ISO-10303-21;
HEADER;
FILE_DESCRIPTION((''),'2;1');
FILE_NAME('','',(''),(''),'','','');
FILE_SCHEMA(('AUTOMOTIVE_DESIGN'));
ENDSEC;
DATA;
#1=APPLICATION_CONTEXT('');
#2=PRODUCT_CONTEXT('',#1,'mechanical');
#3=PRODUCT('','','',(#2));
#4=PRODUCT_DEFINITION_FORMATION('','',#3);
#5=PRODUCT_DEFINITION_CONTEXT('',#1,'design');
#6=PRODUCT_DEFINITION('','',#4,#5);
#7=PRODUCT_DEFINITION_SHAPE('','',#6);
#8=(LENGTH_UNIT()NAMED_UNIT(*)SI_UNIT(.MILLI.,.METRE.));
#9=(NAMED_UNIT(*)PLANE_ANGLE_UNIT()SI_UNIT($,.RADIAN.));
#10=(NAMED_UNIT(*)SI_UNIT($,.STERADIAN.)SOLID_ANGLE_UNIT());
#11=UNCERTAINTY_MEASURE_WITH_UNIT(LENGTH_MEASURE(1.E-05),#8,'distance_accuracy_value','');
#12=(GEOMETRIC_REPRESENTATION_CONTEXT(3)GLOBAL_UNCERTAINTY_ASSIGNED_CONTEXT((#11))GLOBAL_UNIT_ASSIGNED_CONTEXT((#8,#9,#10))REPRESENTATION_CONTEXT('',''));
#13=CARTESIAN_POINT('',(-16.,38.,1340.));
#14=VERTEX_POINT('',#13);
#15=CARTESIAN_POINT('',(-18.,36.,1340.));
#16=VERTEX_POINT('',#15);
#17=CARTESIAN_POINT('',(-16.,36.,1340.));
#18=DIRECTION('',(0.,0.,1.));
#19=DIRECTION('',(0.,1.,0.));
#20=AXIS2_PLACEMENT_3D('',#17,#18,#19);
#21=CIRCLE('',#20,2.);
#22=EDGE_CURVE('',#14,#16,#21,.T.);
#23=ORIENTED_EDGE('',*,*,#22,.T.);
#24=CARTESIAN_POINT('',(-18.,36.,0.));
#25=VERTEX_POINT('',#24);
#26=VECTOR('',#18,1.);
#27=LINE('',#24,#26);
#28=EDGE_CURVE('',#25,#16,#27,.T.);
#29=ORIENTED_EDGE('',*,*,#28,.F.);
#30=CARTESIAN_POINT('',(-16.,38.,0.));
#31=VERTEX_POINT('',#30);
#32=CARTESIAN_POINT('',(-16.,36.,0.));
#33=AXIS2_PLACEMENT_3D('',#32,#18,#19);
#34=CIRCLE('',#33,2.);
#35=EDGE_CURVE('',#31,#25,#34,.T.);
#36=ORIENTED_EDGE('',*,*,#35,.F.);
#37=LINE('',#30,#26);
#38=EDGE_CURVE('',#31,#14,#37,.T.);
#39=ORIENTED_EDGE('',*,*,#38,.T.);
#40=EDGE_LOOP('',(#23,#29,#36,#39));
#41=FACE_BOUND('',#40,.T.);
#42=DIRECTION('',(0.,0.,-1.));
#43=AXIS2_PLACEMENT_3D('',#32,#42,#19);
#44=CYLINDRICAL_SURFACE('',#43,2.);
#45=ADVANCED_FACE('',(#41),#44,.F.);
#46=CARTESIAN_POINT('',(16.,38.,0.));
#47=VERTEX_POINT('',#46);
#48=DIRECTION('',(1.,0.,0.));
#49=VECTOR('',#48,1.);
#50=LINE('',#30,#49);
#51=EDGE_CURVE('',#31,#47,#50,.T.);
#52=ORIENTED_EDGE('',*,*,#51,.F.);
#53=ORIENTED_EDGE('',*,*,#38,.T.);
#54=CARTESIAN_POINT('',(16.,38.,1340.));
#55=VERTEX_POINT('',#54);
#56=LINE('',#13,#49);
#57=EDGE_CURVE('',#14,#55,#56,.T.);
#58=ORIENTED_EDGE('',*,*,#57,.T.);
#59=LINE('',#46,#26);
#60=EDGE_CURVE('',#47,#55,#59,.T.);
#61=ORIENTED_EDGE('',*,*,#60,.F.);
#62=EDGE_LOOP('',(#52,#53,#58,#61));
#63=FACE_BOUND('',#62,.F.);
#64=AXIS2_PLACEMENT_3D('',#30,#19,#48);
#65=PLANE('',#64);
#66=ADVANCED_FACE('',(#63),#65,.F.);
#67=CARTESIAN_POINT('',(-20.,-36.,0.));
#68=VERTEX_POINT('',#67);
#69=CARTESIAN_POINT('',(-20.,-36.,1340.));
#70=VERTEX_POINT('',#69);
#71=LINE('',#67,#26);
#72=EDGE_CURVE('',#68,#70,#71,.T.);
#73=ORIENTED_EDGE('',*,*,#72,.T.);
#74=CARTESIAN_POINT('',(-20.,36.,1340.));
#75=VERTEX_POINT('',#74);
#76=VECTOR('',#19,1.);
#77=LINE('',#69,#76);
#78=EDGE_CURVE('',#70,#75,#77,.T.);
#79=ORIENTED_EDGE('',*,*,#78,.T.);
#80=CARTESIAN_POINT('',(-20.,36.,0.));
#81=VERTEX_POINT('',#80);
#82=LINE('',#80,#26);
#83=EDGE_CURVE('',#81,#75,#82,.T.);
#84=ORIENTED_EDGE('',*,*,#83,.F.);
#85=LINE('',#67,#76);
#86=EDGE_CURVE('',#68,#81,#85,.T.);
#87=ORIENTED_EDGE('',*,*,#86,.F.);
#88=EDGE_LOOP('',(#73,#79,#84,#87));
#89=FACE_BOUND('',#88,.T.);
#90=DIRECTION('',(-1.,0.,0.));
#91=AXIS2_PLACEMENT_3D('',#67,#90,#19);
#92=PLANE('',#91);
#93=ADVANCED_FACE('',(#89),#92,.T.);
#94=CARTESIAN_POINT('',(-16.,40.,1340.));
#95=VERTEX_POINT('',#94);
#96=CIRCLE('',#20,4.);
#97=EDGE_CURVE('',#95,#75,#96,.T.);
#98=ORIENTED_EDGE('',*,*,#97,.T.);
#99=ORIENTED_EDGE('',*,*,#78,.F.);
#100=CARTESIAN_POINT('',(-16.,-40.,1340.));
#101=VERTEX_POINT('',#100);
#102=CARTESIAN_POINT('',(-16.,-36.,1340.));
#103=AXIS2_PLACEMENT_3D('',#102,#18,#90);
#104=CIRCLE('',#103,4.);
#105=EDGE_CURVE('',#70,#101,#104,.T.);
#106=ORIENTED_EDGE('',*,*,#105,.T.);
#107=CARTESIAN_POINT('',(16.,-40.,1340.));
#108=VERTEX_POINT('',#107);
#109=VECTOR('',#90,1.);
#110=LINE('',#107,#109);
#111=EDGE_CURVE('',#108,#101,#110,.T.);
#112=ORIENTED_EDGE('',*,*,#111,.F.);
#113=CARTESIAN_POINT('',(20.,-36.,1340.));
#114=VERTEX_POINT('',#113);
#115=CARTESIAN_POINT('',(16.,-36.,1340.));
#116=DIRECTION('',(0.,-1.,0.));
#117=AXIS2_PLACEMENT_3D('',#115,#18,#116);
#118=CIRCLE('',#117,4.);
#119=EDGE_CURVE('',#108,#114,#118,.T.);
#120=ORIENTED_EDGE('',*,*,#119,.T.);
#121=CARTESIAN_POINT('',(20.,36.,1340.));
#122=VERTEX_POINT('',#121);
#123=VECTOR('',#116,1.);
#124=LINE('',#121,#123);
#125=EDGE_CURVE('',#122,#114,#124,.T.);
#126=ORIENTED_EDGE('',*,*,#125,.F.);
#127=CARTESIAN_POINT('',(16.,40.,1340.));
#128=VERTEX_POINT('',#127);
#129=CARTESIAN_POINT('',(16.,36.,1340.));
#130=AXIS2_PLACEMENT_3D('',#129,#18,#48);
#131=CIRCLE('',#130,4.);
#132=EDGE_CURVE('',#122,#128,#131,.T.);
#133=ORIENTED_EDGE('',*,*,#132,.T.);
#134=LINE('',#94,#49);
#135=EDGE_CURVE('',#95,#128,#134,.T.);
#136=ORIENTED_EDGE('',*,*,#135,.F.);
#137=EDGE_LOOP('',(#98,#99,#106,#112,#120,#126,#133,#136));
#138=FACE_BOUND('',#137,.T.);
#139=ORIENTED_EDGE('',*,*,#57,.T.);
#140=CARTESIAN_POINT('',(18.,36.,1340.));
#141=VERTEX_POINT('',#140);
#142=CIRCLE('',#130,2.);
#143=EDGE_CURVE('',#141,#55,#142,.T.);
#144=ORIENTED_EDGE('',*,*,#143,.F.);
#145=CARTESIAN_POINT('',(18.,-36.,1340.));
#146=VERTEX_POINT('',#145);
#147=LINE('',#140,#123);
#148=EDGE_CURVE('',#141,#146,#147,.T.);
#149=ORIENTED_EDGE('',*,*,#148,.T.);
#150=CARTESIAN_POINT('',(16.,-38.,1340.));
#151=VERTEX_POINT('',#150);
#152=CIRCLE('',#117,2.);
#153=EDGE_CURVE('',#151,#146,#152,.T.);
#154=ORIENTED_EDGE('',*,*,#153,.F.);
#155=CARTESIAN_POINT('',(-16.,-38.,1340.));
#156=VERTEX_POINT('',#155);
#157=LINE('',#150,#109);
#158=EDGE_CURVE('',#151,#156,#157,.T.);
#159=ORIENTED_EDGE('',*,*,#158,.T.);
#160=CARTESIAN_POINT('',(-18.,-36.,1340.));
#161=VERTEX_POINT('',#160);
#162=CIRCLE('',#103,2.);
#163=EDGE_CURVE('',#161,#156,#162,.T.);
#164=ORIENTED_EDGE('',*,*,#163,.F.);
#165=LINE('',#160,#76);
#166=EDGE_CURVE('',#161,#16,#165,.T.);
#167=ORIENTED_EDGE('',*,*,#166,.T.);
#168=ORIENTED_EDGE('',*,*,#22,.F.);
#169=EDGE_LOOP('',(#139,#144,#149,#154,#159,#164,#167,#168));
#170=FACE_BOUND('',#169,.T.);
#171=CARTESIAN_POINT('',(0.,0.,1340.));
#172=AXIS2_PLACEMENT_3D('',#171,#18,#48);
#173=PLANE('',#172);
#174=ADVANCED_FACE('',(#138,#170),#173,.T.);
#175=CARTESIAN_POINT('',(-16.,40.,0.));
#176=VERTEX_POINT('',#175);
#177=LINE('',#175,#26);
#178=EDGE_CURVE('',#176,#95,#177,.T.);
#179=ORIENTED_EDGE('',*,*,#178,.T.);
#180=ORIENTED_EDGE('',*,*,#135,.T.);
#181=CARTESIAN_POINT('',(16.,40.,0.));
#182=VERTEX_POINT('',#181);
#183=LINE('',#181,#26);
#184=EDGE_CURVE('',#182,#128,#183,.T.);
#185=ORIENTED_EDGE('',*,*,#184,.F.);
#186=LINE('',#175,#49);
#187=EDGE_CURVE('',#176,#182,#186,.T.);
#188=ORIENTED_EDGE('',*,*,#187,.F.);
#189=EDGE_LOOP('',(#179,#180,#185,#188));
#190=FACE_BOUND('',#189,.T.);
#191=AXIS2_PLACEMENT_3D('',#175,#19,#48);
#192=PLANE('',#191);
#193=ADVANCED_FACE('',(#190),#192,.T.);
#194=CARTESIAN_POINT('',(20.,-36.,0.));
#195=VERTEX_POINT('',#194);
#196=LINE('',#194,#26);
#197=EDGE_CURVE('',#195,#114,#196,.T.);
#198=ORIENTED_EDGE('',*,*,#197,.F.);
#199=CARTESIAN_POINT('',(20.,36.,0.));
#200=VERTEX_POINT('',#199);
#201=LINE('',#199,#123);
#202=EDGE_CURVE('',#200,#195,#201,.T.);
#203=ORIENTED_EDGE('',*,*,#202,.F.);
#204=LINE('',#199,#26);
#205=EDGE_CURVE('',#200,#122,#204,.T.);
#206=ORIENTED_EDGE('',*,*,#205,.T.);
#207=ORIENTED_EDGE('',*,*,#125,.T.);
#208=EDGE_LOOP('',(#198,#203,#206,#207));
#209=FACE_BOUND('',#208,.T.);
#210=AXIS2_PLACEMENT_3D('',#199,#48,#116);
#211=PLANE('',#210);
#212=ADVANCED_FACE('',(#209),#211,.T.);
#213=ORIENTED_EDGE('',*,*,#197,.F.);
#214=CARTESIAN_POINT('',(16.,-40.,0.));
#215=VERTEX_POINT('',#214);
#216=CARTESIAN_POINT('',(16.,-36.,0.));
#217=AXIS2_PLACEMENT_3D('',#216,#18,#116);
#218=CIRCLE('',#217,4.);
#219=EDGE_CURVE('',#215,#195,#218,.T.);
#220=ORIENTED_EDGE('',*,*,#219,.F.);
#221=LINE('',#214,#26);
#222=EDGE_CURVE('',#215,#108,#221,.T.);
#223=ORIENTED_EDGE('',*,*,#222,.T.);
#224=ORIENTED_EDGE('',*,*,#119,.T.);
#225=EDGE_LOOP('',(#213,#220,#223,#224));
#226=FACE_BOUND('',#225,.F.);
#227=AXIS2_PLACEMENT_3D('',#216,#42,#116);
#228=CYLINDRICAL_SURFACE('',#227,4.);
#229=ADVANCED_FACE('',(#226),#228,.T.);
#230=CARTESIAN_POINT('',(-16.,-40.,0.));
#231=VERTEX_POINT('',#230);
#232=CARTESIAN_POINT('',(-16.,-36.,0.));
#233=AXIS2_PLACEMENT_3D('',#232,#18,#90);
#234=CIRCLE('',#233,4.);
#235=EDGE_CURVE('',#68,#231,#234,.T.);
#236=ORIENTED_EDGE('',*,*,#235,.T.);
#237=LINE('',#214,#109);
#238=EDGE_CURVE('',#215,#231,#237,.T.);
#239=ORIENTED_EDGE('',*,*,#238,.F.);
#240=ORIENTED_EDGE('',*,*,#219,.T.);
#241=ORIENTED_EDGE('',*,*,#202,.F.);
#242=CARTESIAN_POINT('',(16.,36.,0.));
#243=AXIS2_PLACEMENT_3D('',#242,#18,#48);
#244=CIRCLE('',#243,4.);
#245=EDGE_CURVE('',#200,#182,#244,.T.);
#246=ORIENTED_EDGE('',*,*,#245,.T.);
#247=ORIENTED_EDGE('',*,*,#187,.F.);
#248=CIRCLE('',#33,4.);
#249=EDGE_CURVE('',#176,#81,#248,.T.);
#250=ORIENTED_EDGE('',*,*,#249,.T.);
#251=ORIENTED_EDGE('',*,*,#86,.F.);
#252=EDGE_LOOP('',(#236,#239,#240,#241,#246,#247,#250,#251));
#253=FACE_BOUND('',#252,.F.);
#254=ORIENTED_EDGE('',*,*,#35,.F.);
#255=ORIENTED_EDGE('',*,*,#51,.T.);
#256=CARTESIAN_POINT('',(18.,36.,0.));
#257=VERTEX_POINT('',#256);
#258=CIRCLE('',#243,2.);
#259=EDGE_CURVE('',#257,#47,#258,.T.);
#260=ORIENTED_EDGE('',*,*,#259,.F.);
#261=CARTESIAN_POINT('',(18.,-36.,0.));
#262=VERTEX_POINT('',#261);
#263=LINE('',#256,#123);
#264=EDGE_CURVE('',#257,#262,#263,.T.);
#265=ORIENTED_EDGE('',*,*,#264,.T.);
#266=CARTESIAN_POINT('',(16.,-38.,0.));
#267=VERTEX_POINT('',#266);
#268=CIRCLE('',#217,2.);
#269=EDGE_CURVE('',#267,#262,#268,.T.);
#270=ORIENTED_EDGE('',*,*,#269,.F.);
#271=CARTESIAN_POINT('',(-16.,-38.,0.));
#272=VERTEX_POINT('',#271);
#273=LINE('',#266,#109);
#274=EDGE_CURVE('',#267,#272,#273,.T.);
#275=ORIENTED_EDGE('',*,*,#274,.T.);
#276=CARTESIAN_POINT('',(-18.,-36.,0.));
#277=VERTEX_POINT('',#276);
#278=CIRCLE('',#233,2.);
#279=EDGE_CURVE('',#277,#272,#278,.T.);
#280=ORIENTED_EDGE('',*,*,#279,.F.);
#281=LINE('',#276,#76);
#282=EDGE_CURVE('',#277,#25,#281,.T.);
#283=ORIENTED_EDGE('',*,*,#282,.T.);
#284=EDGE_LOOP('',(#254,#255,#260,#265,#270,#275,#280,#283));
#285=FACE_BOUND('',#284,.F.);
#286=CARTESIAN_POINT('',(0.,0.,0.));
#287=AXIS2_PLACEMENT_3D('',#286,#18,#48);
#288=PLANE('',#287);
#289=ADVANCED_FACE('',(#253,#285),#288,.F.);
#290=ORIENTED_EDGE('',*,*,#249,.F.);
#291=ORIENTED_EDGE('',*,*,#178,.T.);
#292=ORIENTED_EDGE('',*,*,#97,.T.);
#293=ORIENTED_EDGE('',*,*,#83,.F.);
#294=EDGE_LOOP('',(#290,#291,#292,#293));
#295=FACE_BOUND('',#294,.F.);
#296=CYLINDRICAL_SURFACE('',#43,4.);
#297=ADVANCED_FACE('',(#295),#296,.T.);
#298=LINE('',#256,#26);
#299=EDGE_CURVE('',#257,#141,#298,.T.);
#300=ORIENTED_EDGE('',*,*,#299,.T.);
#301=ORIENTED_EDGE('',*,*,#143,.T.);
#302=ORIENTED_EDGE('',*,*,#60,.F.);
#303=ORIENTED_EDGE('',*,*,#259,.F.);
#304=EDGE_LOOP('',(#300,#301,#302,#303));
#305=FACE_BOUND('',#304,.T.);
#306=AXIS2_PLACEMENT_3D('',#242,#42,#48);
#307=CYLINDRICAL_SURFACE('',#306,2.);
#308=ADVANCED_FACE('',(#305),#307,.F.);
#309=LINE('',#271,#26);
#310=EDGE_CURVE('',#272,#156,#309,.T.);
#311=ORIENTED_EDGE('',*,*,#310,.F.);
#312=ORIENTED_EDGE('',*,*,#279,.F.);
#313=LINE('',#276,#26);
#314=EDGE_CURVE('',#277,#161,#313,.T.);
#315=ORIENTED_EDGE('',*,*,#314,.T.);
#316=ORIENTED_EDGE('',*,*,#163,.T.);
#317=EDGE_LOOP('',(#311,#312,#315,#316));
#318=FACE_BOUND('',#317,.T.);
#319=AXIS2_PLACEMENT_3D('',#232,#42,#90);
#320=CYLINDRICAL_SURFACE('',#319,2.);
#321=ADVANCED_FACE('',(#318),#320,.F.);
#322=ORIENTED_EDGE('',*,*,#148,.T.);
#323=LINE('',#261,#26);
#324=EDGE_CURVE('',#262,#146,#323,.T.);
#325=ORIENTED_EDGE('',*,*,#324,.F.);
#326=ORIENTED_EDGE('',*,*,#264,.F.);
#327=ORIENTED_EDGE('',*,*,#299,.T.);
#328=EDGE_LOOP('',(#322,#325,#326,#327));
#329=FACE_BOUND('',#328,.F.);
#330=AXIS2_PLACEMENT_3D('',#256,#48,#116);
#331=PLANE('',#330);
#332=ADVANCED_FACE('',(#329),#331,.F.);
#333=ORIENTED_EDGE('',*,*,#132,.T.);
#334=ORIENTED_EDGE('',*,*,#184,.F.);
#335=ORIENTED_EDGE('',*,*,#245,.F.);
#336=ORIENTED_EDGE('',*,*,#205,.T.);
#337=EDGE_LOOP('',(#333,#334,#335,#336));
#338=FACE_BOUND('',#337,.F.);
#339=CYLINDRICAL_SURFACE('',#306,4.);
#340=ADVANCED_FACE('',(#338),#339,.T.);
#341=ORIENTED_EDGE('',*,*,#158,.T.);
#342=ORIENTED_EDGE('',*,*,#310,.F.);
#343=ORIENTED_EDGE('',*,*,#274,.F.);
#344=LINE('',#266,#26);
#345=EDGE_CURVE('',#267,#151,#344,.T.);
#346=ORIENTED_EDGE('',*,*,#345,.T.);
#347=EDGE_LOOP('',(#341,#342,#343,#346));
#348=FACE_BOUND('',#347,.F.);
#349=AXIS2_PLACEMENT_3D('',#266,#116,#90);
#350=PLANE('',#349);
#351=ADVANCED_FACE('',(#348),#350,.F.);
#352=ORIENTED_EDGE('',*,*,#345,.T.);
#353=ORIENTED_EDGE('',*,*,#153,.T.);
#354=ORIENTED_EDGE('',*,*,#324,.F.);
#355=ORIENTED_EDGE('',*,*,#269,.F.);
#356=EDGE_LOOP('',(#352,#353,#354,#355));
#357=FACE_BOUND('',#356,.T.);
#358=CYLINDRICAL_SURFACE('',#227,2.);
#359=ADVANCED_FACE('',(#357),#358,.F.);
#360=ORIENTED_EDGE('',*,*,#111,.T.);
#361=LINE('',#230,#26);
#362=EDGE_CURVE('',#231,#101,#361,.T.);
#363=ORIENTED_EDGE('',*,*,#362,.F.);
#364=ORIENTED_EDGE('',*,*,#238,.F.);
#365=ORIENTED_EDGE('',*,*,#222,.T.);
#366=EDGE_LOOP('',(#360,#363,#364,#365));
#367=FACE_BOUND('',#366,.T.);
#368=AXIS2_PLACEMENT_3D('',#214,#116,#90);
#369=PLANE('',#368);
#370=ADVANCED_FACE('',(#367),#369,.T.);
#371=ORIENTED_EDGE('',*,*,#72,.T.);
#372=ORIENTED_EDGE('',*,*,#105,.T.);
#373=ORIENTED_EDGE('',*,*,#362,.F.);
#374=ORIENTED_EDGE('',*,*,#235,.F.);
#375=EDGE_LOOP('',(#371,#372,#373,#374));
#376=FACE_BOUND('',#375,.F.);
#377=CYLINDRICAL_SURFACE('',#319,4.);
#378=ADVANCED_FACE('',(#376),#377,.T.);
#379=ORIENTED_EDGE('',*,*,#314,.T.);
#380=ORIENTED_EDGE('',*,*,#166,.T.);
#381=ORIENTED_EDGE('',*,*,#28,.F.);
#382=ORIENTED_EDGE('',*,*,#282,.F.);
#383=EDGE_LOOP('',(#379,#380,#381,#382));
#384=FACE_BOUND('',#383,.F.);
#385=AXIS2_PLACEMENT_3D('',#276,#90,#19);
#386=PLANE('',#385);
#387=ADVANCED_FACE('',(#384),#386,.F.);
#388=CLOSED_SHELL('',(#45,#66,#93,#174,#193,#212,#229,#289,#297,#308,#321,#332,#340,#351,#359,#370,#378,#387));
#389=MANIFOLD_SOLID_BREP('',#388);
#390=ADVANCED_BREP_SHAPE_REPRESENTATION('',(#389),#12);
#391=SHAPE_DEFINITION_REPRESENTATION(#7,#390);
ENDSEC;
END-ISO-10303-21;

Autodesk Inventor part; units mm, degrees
ref_plane "YZ Plane" through (0, 0, 0) normal (1, 0, 0) x (0, 1, 0)
ref_plane "Start Plane" through (0, 0, 0) normal (0, 0, 1) x (1, 0, 0)
ref_plane "End Plane" through (0, 0, 1340) normal (0, 0, 1) x (1, 0, 0)
sketch "Sketch" plane through (0, 0, 0) normal (0, 0, 1) x (1, 0, 0)
  line L0 (-20, -36) -> (-20, 36)
  line L1 (-16, 40) -> (16, 40)
  line L2 (20, 36) -> (20, -36)
  line L3 (16, -40) -> (-16, -40)
  arc A0 (-20, -36) -> (-16, -40) centre (-16, -36) ccw
  arc A1 (20, 36) -> (16, 40) centre (16, 36) ccw
  arc A2 (-16, 40) -> (-20, 36) centre (-16, 36) ccw
  arc A3 (16, -40) -> (20, -36) centre (16, -36) ccw
  arc A4 (-16, 38) -> (-18, 36) centre (-16, 36) ccw
  line L4 (-16, 38) -> (16, 38)
  arc A5 (18, 36) -> (16, 38) centre (16, 36) ccw
  line L5 (18, 36) -> (18, -36)
  arc A6 (16, -38) -> (18, -36) centre (16, -36) ccw
  line L6 (16, -38) -> (-16, -38)
  arc A7 (-18, -36) -> (-16, -38) centre (-16, -36) ccw
  line L7 (-18, -36) -> (-18, 36)
  line L8 (0, 57.1598) -> (0, -57.1598) construction
  line L9 (-29.1598, 0) -> (29.1598, 0) construction
  dimension "d7" = 4
  dimension "d9" = 40
  dimension "d11" = 80
  dimension "d12" = 2
  dimension "d15" = 20
  dimension "d16" = 40
extrude "Body" add sketch "Sketch" along normal up to surface (1340 mm away) from surface at 0
sketch "Sketch3" plane through (0, 0, 0) normal (0, 0, 1) x (1, 0, 0)
  line L0 (0, 0) -> (10, 0)
ref_plane "Work Plane3" through (0, 0, 0) normal (0, -1, 0) x (1, 0, 0)
sketch "Sketch4" plane through (0, 0, 0) normal (0, -1, 0) x (1, 0, 0)
  line L0 (-2, 0) -> (12, 0) projected
  line L1 (-2, 1340) -> (12, 1340) projected
  dimension "d18" = 1340
equation "\"d7\" = G_IR"
equation "\"d9\" = G_W"
equation "\"d11\" = G_H"
equation "\"d12\" = G_T"
equation "\"d15\" = 0.5 * d9"
equation "\"d16\" = 0.5 * d11"
equation "\"d3\" = G_L"
equation "\"G_W\" = 40"
equation "\"G_H\" = 80"
equation "\"G_T\" = 2"
equation "\"G_IR\" = 4"
equation "\"G_L\" = d18"
equation "\"G_OFFSET_START\" = 0"
equation "\"G_OFFSET_END\" = 0"
properties part number "ISO 4019 - 80x40x2 - 1340" material "Steel, Mild"
